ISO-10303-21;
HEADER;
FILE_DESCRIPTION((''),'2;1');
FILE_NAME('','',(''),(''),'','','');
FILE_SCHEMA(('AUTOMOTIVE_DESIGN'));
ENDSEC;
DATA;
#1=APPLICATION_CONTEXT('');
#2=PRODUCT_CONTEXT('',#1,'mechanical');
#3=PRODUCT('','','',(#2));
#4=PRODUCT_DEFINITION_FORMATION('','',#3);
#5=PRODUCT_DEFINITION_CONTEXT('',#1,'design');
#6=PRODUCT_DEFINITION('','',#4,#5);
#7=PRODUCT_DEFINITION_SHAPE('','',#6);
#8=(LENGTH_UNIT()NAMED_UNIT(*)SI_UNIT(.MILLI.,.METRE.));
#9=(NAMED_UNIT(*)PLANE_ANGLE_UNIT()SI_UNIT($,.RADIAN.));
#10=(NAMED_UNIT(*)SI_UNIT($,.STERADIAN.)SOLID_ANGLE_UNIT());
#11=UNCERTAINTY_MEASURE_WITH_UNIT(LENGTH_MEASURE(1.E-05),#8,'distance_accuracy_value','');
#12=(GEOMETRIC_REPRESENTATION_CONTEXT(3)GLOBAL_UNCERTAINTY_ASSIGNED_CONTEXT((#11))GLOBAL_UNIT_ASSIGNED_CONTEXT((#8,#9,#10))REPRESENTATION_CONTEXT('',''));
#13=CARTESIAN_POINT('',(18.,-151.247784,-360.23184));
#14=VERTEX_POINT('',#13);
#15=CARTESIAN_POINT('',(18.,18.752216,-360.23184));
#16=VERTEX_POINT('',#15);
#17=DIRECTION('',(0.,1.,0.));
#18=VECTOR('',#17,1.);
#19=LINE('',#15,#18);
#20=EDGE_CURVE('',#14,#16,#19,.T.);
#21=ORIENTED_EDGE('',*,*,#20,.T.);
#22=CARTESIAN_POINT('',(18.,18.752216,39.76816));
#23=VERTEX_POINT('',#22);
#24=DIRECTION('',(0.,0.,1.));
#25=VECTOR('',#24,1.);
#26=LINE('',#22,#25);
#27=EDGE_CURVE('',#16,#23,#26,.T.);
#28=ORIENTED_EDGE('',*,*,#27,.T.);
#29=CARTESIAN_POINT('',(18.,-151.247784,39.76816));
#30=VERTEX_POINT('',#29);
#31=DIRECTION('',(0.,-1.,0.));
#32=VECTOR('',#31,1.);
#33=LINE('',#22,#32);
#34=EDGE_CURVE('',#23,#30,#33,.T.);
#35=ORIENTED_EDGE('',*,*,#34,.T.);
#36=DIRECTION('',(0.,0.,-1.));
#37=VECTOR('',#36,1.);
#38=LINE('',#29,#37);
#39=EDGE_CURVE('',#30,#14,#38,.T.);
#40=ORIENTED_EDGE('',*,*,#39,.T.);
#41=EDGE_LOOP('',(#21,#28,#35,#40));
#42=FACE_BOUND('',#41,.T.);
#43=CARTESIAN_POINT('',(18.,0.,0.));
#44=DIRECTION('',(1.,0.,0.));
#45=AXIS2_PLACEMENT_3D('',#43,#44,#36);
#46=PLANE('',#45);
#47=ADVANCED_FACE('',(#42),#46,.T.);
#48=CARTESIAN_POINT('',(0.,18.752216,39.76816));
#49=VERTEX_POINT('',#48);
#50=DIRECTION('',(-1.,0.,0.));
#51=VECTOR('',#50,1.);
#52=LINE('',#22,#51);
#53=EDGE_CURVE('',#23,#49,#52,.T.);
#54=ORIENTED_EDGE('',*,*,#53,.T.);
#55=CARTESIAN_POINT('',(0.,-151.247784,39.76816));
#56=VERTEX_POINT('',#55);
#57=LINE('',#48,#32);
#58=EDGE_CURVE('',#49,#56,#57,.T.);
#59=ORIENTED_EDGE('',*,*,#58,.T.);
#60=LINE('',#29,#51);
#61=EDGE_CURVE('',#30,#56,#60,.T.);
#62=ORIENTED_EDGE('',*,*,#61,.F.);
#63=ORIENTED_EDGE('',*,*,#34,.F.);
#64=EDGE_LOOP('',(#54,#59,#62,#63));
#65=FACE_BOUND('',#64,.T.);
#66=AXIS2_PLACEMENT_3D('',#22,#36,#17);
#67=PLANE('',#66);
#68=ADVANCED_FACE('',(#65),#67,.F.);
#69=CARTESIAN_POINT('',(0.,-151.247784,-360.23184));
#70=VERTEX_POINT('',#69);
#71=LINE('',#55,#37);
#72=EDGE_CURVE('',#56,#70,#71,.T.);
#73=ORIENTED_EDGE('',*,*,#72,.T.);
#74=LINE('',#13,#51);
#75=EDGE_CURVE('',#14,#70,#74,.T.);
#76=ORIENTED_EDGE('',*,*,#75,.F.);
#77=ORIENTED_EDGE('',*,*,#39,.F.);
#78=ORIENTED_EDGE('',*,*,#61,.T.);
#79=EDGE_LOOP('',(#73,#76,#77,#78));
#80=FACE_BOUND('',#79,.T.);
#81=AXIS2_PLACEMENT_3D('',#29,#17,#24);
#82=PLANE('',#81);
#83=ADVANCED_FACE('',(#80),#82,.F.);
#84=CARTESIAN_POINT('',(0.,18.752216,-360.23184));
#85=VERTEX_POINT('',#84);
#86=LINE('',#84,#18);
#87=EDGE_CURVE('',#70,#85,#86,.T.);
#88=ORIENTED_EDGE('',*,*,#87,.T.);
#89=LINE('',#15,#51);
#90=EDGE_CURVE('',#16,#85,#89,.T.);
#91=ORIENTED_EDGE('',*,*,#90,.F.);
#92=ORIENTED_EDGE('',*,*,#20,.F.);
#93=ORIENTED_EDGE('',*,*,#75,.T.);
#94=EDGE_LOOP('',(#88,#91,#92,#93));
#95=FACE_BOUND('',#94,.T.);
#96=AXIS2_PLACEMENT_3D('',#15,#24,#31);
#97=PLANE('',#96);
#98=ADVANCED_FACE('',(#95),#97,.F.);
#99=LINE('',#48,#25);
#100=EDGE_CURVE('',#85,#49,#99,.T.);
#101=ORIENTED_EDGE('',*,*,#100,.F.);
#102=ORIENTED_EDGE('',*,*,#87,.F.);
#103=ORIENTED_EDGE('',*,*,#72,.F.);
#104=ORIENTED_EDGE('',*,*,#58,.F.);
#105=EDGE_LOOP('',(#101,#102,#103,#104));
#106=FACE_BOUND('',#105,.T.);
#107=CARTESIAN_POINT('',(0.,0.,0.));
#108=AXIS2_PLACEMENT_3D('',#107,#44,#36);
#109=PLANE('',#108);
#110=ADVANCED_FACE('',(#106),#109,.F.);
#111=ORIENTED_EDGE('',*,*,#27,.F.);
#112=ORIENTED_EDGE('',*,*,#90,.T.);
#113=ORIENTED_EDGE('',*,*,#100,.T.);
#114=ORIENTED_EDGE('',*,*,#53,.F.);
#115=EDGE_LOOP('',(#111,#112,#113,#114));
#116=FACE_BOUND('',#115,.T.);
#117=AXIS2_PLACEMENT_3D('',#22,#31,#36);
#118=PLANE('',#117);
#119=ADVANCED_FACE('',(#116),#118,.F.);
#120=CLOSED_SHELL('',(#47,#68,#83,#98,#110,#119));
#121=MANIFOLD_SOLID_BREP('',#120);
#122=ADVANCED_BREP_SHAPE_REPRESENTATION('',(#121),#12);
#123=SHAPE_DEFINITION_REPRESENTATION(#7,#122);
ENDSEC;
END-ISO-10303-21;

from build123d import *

# Parameters (mm, degrees)
SKETCH_1_W      = 400
SKETCH_1_H      = 170
EXTRUDE_1_DEPTH = 18


with BuildPart() as part:
    # Эскиз1 → Бобышка-Вытянуть1 (new body)
    with BuildSketch(Plane(origin=(0, 0, 0), x_dir=(0, 0, -1), z_dir=(1, 0, 0))):
        with Locations((160.231840454, -66.247783891)):
            Rectangle(SKETCH_1_W, SKETCH_1_H)
    extrude(amount=EXTRUDE_1_DEPTH)


solid = part.part
